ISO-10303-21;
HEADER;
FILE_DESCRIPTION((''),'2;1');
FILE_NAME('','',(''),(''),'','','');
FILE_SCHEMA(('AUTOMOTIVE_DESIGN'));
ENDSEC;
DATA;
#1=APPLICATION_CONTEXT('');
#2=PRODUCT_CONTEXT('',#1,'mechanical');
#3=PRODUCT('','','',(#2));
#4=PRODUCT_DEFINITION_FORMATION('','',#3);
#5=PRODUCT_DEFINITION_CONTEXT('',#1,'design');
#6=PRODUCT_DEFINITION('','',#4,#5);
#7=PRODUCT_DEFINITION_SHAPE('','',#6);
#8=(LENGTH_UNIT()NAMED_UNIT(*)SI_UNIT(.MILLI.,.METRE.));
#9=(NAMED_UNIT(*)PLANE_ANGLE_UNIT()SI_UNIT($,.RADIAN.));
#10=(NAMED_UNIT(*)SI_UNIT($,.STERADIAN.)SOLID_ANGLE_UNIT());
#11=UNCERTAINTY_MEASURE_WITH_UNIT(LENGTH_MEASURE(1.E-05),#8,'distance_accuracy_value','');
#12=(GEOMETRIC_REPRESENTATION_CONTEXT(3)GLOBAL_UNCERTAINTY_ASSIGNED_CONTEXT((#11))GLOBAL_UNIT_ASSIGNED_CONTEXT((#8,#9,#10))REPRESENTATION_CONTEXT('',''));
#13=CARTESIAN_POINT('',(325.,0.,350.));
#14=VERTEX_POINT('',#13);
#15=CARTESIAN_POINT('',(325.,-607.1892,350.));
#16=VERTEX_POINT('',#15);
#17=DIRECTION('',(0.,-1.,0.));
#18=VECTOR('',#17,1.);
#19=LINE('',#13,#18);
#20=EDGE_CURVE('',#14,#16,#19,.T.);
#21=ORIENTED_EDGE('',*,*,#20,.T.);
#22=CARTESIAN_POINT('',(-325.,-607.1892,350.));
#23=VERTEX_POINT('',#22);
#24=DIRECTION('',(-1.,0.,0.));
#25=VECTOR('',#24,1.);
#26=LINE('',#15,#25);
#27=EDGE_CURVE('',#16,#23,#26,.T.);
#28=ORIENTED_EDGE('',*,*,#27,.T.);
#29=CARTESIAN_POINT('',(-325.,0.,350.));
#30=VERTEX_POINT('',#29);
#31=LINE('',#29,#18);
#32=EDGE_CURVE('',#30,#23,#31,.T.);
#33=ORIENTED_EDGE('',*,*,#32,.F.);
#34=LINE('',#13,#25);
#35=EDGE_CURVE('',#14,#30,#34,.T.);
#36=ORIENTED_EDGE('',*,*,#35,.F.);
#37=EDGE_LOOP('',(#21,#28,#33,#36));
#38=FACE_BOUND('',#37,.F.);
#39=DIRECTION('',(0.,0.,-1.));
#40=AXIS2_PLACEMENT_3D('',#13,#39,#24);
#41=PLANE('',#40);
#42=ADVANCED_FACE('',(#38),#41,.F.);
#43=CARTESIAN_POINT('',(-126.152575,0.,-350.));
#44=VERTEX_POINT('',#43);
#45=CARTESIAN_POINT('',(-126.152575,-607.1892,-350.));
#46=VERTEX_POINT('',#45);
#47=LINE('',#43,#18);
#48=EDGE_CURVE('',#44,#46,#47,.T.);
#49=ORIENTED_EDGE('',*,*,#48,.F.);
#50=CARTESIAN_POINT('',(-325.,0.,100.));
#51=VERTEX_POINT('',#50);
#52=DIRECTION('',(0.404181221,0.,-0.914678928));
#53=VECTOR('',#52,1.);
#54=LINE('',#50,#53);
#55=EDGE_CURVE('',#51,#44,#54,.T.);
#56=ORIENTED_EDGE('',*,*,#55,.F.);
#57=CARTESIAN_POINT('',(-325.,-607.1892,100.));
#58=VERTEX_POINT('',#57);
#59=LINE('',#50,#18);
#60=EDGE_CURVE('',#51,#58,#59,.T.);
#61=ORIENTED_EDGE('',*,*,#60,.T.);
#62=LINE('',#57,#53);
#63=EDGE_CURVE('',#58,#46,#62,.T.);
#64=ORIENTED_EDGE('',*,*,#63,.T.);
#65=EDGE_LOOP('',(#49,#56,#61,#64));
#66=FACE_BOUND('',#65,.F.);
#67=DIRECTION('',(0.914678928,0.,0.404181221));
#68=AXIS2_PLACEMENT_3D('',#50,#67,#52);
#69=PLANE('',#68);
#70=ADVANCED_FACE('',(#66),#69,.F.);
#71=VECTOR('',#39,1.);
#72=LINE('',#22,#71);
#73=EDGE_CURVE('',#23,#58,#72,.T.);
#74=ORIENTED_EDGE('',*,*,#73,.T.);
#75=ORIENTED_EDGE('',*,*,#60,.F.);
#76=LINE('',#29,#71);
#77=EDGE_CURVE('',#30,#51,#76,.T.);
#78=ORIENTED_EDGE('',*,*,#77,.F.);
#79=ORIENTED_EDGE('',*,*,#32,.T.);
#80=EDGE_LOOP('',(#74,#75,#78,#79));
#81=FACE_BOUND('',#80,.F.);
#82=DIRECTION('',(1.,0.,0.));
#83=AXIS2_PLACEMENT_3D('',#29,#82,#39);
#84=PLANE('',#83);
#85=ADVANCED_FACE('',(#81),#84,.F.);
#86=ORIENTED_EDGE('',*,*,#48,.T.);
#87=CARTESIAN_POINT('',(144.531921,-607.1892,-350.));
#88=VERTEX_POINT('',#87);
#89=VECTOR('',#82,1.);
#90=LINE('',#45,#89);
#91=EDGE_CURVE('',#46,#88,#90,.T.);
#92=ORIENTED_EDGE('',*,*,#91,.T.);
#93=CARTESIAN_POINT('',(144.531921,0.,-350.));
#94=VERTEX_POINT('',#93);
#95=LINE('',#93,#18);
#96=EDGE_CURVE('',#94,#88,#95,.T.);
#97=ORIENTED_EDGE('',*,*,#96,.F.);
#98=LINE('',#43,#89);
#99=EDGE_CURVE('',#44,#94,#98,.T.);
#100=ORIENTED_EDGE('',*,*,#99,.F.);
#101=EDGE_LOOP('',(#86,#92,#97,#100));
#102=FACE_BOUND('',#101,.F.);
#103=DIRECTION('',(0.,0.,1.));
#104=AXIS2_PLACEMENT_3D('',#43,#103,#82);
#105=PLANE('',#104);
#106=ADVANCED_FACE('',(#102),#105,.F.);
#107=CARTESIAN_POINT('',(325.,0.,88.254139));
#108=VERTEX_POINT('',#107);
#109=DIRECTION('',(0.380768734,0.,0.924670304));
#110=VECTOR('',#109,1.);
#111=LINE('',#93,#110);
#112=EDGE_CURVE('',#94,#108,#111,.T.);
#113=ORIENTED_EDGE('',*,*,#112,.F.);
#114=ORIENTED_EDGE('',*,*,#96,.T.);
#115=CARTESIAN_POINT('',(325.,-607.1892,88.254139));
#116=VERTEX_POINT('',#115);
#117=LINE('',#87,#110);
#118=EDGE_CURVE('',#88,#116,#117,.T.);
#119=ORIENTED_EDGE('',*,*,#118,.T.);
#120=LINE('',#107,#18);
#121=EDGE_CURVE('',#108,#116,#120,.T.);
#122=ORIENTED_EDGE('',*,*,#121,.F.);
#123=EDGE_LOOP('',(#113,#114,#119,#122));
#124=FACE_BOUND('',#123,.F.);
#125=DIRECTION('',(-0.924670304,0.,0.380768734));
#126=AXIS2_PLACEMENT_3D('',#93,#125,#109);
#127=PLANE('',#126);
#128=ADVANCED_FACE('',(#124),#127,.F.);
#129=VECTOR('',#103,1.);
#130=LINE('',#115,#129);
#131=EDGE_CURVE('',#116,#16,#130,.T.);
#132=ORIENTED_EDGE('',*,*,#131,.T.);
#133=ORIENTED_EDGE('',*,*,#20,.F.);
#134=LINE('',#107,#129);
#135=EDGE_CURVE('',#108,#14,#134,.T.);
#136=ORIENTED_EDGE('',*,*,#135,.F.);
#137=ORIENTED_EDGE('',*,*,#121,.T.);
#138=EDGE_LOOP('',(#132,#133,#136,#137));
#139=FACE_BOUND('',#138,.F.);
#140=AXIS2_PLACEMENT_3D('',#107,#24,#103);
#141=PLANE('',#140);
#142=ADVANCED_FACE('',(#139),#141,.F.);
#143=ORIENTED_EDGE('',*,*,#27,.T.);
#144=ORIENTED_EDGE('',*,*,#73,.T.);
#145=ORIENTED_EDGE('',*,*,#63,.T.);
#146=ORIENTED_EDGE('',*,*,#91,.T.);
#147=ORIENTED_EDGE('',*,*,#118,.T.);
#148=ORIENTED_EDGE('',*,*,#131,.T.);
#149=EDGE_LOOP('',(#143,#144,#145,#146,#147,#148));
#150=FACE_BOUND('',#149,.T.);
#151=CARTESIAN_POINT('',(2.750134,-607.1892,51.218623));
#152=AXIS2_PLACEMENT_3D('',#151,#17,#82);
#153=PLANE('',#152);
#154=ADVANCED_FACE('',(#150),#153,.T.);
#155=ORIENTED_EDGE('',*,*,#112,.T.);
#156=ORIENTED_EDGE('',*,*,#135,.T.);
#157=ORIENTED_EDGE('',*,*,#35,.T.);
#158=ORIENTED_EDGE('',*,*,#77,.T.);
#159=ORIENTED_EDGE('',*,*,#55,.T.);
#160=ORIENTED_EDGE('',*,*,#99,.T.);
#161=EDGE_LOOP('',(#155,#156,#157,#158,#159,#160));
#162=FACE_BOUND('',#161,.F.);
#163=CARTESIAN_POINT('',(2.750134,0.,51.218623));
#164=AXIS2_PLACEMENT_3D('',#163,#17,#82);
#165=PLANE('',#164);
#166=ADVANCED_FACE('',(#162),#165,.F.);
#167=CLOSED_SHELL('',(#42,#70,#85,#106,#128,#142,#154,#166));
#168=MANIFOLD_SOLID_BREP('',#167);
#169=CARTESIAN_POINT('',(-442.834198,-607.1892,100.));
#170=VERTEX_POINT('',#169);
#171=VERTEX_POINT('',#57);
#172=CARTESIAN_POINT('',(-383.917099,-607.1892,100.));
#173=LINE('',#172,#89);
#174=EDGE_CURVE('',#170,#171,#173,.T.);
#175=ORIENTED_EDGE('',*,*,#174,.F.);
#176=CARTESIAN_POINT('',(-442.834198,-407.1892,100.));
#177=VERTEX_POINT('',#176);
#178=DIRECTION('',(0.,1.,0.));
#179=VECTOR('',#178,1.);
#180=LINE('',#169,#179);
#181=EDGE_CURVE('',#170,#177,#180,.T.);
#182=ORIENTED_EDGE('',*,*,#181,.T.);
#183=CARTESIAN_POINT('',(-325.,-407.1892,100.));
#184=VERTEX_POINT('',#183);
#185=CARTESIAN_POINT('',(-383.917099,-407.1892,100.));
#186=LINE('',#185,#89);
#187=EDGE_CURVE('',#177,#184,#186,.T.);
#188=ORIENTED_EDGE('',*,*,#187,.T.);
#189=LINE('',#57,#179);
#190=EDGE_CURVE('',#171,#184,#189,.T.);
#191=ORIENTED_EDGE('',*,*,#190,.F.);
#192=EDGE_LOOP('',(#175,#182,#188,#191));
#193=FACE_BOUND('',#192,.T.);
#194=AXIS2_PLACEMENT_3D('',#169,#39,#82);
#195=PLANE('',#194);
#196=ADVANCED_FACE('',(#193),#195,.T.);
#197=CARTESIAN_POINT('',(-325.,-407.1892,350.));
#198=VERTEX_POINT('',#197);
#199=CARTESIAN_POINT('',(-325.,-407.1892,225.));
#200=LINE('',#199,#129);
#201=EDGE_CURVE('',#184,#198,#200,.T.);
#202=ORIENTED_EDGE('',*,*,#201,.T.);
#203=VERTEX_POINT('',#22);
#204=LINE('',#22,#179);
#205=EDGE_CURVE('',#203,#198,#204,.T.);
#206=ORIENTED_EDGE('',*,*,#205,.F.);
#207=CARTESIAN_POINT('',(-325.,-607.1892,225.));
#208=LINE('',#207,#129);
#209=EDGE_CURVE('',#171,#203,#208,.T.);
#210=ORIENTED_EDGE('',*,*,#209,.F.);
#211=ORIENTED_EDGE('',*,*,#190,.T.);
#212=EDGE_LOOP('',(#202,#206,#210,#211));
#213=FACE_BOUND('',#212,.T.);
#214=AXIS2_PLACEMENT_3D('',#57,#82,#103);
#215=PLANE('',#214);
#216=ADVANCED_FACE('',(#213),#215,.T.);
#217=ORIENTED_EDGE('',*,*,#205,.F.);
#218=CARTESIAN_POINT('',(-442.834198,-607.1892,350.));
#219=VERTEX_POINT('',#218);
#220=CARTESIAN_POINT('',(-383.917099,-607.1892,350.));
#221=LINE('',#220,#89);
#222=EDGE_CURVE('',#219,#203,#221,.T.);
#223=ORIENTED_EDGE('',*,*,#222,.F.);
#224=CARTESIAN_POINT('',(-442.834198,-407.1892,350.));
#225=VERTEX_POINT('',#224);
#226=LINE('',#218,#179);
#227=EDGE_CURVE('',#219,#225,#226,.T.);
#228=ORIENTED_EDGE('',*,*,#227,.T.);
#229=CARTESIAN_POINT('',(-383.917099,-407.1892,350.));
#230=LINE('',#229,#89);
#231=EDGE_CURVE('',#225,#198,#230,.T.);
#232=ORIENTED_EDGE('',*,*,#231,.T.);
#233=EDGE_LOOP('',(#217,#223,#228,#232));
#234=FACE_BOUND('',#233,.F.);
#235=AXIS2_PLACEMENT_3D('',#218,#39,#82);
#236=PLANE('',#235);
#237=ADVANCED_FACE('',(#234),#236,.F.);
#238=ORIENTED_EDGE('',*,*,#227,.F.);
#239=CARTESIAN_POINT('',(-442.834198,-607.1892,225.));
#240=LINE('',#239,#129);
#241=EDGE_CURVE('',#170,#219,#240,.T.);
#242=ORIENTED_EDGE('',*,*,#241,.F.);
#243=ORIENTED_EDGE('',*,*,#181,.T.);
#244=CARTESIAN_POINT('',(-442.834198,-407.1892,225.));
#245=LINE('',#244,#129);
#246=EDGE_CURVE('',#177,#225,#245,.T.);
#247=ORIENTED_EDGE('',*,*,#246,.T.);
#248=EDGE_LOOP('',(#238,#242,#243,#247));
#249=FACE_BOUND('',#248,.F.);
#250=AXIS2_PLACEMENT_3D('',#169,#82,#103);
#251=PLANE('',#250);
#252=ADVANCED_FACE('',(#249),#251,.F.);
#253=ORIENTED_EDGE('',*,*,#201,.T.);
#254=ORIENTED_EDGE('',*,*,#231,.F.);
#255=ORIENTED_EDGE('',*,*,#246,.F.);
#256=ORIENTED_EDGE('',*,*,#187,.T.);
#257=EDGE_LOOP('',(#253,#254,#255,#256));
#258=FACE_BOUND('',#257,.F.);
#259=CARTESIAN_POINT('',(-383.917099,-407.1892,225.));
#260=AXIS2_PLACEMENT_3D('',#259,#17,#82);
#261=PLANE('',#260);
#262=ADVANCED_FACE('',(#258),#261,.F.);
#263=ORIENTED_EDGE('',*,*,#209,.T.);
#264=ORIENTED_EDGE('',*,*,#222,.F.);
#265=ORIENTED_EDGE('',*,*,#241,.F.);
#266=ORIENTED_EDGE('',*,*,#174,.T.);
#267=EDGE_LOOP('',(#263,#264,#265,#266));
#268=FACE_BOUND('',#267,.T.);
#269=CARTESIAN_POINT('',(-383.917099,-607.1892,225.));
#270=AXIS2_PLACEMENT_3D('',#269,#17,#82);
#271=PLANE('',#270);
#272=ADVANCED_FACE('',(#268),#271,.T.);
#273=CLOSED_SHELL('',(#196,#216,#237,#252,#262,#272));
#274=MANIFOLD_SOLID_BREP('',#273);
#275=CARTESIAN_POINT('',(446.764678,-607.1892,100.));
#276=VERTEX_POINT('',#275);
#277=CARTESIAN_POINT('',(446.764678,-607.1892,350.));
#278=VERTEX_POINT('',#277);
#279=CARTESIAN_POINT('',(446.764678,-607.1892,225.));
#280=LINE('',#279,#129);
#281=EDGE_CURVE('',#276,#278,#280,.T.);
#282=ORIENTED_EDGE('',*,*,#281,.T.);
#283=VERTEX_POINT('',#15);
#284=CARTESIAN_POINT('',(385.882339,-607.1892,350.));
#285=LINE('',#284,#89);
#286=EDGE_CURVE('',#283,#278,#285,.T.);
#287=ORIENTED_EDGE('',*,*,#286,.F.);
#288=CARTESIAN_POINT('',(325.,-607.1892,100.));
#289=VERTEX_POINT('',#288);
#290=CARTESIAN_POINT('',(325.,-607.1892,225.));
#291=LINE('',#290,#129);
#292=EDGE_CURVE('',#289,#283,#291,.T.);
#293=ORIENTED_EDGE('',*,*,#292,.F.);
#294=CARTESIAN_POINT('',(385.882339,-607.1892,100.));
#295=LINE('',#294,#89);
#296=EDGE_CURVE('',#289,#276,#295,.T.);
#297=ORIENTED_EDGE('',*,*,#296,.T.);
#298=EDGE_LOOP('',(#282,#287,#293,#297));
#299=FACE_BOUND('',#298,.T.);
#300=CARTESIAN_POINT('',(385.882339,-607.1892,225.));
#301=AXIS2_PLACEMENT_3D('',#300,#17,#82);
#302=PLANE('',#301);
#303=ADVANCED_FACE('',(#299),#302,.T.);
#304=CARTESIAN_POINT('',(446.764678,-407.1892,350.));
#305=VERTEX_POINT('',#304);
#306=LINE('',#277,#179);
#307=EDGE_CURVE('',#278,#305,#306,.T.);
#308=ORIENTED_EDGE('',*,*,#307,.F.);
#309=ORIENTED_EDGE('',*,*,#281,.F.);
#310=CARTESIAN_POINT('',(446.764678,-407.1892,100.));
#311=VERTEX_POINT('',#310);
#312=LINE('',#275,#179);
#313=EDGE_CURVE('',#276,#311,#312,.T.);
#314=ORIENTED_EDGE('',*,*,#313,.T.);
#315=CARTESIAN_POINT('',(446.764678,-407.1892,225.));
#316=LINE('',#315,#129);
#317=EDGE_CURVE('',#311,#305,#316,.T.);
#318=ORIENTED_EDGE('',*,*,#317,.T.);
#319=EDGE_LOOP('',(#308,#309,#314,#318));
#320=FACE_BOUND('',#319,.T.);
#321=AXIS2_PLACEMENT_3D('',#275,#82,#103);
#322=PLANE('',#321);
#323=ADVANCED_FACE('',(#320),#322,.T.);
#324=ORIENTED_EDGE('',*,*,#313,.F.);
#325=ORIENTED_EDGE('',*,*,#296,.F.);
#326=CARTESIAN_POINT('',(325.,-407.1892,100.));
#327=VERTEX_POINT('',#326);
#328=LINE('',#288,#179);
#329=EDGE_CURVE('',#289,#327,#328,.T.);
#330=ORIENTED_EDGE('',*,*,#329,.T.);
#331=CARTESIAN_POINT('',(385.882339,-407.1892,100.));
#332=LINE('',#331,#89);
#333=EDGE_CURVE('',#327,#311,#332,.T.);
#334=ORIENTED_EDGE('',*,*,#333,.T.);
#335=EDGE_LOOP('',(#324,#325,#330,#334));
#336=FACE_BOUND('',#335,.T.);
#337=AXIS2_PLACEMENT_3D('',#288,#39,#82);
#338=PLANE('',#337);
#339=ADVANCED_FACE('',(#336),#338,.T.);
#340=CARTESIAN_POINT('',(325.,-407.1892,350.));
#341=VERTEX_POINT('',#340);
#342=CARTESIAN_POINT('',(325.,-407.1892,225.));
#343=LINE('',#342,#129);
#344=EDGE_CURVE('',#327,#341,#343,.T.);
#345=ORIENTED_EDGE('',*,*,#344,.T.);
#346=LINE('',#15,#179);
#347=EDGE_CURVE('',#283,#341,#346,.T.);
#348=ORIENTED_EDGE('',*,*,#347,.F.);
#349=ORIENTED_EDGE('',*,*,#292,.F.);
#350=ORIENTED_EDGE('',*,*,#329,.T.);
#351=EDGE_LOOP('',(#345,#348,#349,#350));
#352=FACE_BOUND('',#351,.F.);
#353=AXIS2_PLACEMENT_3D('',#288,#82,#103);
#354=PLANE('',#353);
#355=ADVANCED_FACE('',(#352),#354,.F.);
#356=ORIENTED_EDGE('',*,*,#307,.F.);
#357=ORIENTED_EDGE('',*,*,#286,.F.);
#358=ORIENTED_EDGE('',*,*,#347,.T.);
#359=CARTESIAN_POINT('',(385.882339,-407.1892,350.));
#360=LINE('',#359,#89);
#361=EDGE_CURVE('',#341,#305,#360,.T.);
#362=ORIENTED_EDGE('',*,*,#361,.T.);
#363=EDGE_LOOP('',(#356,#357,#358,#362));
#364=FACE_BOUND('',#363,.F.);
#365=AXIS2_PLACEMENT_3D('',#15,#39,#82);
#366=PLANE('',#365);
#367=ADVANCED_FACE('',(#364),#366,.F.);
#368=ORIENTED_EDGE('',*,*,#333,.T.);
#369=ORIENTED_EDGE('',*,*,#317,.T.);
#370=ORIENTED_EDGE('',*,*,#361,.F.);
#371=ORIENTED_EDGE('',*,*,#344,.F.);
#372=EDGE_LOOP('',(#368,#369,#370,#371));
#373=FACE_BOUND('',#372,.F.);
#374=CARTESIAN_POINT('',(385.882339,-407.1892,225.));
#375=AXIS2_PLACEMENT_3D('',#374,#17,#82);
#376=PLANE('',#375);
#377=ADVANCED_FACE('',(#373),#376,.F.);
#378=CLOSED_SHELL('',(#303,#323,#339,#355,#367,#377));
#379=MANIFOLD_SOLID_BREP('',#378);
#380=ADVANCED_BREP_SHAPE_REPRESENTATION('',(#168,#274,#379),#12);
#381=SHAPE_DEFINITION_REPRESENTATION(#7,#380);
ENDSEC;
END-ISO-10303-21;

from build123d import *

# Parameters (mm, degrees)
F1_DEPTH = 607.1892
F2_W     = 117.834198
F2_H     = 250
F2_W_2   = 121.764678
F3_DEPTH = 200


with BuildPart() as f1:
    # F0 (on Front) → F1 (new body)
    with BuildSketch(Plane.XZ):
        Polygon((325, 88.254139), (325, 350), (-325, 350), (-325, 100), (-126.152575, -350), (144.531921, -350), align=None)
    extrude(amount=F1_DEPTH)


with BuildPart() as f3:
    # F2 (on face) → F3 (new body)
    with BuildSketch(Plane.XZ.offset(607.1892)):
        with Locations((-383.917099, 225)):
            Rectangle(F2_W, F2_H)
        with Locations((385.882339, 225)):
            Rectangle(F2_W_2, F2_H)
    extrude(amount=-F3_DEPTH)


solid = Compound([f1.part, f3.part])
